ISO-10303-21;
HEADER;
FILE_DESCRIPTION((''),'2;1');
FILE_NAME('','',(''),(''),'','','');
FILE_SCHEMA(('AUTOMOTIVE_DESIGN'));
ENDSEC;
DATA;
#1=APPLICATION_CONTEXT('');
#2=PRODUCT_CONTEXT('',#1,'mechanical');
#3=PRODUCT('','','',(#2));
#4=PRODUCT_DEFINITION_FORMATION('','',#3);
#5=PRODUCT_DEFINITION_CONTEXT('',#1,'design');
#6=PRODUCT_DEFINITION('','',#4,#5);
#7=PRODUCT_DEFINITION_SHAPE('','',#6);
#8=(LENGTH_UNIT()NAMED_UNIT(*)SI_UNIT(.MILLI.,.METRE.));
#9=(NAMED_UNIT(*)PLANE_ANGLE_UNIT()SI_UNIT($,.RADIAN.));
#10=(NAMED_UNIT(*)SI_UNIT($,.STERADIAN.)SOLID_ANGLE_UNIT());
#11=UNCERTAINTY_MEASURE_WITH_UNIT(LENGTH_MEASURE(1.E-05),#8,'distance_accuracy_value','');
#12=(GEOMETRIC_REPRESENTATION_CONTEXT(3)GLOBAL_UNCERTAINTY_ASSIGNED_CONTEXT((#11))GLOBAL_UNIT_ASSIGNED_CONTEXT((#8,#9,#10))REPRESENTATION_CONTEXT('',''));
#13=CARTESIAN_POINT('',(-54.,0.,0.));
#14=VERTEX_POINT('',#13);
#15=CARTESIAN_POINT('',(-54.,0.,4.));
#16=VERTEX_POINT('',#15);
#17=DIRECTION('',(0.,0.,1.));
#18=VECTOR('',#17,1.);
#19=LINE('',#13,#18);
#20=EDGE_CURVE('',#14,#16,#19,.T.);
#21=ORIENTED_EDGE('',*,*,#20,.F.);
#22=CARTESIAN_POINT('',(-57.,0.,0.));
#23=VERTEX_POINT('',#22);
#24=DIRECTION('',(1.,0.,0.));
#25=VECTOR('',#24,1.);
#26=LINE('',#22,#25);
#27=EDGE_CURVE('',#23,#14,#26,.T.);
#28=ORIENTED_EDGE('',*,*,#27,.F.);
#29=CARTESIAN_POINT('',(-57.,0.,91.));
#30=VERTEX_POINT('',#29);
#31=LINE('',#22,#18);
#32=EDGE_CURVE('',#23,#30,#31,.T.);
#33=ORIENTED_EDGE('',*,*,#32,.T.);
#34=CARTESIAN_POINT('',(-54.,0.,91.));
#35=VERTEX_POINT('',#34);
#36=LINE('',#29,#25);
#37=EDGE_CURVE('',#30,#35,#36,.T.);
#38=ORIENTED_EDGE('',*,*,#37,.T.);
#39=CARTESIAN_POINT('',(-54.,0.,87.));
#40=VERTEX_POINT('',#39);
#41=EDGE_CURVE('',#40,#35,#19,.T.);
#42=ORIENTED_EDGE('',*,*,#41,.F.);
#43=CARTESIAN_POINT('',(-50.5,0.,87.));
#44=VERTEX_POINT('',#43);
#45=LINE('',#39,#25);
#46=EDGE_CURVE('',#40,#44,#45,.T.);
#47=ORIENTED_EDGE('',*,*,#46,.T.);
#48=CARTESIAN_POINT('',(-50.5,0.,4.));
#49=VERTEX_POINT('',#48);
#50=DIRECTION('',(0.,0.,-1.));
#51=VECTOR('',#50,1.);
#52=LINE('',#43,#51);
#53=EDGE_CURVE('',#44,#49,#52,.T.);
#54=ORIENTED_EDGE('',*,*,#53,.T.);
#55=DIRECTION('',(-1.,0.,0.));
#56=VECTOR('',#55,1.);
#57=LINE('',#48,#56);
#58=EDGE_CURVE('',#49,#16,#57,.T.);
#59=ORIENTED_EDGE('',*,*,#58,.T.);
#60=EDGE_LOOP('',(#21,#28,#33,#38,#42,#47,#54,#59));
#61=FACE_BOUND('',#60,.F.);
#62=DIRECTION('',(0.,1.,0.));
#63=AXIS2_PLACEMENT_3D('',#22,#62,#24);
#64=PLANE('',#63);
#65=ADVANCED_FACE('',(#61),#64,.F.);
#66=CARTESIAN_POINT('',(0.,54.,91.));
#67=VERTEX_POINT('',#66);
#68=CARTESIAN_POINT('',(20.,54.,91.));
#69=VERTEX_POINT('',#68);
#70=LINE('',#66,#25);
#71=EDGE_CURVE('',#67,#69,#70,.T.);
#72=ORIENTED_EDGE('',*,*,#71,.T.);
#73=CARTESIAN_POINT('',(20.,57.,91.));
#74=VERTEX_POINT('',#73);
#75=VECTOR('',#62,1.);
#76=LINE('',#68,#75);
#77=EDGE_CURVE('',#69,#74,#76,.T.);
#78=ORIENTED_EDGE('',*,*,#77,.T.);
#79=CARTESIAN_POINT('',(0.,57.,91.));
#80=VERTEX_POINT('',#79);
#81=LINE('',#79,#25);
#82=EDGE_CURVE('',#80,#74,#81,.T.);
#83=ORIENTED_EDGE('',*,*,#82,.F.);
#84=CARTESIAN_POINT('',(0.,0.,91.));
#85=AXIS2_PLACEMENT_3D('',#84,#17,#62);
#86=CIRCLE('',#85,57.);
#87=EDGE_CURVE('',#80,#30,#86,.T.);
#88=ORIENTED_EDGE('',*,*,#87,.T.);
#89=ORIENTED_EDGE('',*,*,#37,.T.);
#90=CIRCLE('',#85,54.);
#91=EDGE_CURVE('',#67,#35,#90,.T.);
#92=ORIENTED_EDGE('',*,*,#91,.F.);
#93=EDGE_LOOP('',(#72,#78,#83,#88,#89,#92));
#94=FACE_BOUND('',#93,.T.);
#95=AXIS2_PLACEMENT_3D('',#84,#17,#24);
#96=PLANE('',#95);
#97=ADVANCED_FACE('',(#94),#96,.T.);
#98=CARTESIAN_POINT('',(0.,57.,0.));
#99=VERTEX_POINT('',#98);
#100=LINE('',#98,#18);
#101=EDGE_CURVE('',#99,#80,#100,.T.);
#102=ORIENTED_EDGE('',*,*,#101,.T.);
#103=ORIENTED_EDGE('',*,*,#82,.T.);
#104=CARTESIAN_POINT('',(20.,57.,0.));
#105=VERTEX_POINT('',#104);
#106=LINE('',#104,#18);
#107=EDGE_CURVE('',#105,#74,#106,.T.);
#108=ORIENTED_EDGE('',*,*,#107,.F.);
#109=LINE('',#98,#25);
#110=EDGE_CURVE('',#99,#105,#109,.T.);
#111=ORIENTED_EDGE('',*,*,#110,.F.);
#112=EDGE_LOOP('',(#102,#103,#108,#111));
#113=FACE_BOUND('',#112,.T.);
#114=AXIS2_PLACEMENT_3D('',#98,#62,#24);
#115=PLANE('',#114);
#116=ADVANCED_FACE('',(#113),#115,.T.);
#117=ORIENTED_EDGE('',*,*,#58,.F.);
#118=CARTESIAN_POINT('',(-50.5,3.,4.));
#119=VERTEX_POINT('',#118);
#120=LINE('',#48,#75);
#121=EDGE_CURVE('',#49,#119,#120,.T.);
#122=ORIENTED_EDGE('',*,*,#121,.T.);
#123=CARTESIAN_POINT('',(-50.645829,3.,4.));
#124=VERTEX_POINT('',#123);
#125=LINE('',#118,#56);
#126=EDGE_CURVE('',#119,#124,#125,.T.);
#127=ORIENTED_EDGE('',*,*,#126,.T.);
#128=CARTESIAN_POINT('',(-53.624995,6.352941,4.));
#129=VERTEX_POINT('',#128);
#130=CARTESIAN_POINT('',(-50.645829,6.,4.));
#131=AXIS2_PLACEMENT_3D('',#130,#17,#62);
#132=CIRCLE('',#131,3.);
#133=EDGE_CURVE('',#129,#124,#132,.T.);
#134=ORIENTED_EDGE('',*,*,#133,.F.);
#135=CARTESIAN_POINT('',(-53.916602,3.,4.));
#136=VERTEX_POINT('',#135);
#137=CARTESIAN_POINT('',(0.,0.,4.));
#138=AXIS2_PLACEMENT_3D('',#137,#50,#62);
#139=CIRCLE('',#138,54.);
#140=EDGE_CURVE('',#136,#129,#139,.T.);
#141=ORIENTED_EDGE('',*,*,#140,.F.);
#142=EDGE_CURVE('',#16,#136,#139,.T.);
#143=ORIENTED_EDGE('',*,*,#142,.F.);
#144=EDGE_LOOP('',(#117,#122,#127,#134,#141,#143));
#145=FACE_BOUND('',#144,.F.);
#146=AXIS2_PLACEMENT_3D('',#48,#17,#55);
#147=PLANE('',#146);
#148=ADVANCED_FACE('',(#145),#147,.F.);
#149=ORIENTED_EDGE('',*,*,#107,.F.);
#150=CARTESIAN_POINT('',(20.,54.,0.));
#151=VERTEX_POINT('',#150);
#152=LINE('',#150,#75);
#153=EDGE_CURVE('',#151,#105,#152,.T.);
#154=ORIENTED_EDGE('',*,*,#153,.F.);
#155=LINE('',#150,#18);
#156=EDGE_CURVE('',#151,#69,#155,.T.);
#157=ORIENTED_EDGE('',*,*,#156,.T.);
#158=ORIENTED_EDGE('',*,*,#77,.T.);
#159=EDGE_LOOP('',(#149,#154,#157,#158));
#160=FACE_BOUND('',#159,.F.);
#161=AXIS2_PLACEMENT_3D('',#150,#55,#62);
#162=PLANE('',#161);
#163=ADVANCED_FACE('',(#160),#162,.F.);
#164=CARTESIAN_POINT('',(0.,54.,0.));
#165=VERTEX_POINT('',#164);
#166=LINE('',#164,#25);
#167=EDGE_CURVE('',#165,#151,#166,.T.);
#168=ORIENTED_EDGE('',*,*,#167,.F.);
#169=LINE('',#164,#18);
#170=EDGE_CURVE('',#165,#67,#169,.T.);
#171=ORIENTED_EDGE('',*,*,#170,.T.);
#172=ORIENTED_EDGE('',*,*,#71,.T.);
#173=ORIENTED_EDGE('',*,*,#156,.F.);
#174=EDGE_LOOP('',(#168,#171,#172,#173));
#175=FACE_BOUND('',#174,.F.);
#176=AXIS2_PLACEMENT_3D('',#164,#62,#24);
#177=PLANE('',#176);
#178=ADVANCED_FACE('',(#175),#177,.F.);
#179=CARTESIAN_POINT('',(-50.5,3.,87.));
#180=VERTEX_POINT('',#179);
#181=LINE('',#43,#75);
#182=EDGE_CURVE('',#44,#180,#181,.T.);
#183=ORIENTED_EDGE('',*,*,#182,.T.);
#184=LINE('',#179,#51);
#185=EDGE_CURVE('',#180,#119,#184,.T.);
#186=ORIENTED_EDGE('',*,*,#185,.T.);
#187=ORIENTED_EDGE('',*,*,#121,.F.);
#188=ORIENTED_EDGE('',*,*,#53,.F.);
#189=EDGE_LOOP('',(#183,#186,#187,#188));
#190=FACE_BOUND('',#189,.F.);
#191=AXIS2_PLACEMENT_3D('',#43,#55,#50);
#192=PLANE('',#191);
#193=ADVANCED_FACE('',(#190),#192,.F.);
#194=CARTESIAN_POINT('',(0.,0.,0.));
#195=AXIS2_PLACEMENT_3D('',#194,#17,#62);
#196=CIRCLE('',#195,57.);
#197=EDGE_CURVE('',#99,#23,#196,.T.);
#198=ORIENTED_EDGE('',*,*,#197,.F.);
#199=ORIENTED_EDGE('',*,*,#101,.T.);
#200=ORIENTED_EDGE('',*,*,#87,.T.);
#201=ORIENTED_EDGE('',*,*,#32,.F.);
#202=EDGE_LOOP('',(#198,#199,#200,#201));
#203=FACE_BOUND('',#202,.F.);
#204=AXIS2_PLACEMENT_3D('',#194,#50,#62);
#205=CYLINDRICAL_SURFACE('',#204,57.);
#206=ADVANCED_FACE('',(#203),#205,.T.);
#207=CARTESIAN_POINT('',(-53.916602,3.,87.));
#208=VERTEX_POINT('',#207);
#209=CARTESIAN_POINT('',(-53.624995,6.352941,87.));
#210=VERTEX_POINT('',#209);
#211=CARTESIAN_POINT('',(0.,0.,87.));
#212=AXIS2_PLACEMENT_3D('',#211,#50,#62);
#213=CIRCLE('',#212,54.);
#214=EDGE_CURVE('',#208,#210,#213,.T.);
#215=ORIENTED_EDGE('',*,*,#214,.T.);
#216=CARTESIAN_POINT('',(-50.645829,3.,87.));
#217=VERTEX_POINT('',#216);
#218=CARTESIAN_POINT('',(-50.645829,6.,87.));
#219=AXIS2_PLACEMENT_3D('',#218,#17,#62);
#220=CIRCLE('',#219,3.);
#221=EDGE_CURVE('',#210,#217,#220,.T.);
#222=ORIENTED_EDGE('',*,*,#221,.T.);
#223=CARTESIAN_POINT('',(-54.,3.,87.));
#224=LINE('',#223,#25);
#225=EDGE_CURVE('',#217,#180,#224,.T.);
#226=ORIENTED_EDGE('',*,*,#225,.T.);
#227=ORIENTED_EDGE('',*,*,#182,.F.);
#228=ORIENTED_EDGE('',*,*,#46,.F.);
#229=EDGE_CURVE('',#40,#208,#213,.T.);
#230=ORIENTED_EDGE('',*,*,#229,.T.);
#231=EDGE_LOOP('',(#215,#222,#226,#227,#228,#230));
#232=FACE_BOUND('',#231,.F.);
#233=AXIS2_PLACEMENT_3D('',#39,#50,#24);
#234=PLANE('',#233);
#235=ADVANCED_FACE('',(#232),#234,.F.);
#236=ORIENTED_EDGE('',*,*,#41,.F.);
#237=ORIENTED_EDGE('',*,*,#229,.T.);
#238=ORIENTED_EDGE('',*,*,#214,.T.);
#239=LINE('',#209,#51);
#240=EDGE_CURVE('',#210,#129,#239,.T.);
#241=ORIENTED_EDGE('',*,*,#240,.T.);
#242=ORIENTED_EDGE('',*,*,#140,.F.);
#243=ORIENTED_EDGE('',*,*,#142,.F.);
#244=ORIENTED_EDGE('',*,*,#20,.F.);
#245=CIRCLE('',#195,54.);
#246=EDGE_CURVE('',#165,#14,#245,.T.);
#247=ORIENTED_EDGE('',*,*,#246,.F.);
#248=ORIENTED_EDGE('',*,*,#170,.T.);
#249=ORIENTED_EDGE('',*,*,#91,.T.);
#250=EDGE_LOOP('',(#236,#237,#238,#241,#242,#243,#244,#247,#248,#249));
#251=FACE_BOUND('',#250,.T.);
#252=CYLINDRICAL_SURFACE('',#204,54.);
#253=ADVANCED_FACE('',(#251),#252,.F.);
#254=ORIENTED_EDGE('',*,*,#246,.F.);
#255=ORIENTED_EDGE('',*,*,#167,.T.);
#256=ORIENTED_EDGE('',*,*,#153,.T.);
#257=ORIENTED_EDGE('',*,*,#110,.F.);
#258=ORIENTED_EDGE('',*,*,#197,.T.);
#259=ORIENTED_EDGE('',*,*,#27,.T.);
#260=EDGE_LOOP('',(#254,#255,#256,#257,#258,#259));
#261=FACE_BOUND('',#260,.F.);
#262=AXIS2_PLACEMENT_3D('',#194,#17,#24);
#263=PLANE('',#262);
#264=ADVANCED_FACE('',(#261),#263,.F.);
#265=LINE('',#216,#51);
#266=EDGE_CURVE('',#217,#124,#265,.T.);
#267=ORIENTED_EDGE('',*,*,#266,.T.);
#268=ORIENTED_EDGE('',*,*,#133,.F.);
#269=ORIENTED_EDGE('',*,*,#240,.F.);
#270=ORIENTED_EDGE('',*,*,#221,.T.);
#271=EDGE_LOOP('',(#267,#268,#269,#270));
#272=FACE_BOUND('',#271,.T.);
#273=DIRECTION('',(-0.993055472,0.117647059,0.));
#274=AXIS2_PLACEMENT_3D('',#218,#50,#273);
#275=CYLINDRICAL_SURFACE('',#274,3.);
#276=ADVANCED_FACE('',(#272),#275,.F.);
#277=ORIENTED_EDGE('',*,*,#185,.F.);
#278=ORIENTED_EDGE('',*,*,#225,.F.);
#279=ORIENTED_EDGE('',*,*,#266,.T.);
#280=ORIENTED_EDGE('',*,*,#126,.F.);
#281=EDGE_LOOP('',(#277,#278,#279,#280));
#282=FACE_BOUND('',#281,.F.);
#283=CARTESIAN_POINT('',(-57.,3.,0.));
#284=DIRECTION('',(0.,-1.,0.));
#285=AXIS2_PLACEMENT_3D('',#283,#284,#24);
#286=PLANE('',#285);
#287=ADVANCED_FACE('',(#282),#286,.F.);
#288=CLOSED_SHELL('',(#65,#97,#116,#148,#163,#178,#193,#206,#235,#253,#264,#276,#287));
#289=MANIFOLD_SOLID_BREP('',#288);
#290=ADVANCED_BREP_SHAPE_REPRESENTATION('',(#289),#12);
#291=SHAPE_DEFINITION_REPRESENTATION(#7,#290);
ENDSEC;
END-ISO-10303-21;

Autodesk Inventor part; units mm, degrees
ref_plane "YZ Plane" through (0, 0, 0) normal (1, 0, 0) x (0, 1, 0)
ref_plane "XZ Plane" through (0, 0, 0) normal (0, 1, 0) x (-1, 0, 0)
ref_plane "XY Plane" through (0, 0, 0) normal (0, 0, 1) x (1, 0, 0)
sketch "Sketch1" plane through (0, 0, 0) normal (0, 0, 1) x (1, 0, 0)
  arc A0 (0, 54) -> (-54, 0) centre (0, 0) ccw
  arc A1 (0, 57) -> (-57, 0) centre (0, 0) ccw
  line L0 (0, 57) -> (20, 57)
  line L1 (0, 57) -> (20, 57) construction
  line L2 (0, 54) -> (20, 54)
  line L3 (0, 54) -> (20, 54) construction
  line L4 (20, 54) -> (20, 57)
  line L5 (-57, 0) -> (-54, 0)
  dimension "d0" = 108
  dimension "d1" = 114
  dimension "d2" = 20
  dimension "d3" = 0
  dimension "d4" = 20
  dimension "d5" = 0
extrude "Extrusion1" add sketch "Sketch1" along normal blind 91
sketch "Sketch2" plane through (-57, 0, 0) normal (0, -1, 0) x (1, 0, 0)
  line L0 (3, 0) -> (3, 91) projected
  line L1 (3, 87) -> (6.5, 87)
  line L2 (6.5, 87) -> (6.5, 4)
  line L3 (6.5, 4) -> (3, 4)
  line L4 (3, 4) -> (3, 87)
  line L5 (0, 0) -> (3, 0) projected
  point P0 (57, 0)
  point P1 (3, 4)
  dimension "d8" = 3.5
  dimension "d9" = 83
  dimension "d10" = 4
extrude "Extrusion2" add sketch "Sketch2" against normal blind 3
fillet "Fillet1" radius 3 1 edges at (-53.9166, 3, 45.5)
properties part number "obudowa przekładni 2"
